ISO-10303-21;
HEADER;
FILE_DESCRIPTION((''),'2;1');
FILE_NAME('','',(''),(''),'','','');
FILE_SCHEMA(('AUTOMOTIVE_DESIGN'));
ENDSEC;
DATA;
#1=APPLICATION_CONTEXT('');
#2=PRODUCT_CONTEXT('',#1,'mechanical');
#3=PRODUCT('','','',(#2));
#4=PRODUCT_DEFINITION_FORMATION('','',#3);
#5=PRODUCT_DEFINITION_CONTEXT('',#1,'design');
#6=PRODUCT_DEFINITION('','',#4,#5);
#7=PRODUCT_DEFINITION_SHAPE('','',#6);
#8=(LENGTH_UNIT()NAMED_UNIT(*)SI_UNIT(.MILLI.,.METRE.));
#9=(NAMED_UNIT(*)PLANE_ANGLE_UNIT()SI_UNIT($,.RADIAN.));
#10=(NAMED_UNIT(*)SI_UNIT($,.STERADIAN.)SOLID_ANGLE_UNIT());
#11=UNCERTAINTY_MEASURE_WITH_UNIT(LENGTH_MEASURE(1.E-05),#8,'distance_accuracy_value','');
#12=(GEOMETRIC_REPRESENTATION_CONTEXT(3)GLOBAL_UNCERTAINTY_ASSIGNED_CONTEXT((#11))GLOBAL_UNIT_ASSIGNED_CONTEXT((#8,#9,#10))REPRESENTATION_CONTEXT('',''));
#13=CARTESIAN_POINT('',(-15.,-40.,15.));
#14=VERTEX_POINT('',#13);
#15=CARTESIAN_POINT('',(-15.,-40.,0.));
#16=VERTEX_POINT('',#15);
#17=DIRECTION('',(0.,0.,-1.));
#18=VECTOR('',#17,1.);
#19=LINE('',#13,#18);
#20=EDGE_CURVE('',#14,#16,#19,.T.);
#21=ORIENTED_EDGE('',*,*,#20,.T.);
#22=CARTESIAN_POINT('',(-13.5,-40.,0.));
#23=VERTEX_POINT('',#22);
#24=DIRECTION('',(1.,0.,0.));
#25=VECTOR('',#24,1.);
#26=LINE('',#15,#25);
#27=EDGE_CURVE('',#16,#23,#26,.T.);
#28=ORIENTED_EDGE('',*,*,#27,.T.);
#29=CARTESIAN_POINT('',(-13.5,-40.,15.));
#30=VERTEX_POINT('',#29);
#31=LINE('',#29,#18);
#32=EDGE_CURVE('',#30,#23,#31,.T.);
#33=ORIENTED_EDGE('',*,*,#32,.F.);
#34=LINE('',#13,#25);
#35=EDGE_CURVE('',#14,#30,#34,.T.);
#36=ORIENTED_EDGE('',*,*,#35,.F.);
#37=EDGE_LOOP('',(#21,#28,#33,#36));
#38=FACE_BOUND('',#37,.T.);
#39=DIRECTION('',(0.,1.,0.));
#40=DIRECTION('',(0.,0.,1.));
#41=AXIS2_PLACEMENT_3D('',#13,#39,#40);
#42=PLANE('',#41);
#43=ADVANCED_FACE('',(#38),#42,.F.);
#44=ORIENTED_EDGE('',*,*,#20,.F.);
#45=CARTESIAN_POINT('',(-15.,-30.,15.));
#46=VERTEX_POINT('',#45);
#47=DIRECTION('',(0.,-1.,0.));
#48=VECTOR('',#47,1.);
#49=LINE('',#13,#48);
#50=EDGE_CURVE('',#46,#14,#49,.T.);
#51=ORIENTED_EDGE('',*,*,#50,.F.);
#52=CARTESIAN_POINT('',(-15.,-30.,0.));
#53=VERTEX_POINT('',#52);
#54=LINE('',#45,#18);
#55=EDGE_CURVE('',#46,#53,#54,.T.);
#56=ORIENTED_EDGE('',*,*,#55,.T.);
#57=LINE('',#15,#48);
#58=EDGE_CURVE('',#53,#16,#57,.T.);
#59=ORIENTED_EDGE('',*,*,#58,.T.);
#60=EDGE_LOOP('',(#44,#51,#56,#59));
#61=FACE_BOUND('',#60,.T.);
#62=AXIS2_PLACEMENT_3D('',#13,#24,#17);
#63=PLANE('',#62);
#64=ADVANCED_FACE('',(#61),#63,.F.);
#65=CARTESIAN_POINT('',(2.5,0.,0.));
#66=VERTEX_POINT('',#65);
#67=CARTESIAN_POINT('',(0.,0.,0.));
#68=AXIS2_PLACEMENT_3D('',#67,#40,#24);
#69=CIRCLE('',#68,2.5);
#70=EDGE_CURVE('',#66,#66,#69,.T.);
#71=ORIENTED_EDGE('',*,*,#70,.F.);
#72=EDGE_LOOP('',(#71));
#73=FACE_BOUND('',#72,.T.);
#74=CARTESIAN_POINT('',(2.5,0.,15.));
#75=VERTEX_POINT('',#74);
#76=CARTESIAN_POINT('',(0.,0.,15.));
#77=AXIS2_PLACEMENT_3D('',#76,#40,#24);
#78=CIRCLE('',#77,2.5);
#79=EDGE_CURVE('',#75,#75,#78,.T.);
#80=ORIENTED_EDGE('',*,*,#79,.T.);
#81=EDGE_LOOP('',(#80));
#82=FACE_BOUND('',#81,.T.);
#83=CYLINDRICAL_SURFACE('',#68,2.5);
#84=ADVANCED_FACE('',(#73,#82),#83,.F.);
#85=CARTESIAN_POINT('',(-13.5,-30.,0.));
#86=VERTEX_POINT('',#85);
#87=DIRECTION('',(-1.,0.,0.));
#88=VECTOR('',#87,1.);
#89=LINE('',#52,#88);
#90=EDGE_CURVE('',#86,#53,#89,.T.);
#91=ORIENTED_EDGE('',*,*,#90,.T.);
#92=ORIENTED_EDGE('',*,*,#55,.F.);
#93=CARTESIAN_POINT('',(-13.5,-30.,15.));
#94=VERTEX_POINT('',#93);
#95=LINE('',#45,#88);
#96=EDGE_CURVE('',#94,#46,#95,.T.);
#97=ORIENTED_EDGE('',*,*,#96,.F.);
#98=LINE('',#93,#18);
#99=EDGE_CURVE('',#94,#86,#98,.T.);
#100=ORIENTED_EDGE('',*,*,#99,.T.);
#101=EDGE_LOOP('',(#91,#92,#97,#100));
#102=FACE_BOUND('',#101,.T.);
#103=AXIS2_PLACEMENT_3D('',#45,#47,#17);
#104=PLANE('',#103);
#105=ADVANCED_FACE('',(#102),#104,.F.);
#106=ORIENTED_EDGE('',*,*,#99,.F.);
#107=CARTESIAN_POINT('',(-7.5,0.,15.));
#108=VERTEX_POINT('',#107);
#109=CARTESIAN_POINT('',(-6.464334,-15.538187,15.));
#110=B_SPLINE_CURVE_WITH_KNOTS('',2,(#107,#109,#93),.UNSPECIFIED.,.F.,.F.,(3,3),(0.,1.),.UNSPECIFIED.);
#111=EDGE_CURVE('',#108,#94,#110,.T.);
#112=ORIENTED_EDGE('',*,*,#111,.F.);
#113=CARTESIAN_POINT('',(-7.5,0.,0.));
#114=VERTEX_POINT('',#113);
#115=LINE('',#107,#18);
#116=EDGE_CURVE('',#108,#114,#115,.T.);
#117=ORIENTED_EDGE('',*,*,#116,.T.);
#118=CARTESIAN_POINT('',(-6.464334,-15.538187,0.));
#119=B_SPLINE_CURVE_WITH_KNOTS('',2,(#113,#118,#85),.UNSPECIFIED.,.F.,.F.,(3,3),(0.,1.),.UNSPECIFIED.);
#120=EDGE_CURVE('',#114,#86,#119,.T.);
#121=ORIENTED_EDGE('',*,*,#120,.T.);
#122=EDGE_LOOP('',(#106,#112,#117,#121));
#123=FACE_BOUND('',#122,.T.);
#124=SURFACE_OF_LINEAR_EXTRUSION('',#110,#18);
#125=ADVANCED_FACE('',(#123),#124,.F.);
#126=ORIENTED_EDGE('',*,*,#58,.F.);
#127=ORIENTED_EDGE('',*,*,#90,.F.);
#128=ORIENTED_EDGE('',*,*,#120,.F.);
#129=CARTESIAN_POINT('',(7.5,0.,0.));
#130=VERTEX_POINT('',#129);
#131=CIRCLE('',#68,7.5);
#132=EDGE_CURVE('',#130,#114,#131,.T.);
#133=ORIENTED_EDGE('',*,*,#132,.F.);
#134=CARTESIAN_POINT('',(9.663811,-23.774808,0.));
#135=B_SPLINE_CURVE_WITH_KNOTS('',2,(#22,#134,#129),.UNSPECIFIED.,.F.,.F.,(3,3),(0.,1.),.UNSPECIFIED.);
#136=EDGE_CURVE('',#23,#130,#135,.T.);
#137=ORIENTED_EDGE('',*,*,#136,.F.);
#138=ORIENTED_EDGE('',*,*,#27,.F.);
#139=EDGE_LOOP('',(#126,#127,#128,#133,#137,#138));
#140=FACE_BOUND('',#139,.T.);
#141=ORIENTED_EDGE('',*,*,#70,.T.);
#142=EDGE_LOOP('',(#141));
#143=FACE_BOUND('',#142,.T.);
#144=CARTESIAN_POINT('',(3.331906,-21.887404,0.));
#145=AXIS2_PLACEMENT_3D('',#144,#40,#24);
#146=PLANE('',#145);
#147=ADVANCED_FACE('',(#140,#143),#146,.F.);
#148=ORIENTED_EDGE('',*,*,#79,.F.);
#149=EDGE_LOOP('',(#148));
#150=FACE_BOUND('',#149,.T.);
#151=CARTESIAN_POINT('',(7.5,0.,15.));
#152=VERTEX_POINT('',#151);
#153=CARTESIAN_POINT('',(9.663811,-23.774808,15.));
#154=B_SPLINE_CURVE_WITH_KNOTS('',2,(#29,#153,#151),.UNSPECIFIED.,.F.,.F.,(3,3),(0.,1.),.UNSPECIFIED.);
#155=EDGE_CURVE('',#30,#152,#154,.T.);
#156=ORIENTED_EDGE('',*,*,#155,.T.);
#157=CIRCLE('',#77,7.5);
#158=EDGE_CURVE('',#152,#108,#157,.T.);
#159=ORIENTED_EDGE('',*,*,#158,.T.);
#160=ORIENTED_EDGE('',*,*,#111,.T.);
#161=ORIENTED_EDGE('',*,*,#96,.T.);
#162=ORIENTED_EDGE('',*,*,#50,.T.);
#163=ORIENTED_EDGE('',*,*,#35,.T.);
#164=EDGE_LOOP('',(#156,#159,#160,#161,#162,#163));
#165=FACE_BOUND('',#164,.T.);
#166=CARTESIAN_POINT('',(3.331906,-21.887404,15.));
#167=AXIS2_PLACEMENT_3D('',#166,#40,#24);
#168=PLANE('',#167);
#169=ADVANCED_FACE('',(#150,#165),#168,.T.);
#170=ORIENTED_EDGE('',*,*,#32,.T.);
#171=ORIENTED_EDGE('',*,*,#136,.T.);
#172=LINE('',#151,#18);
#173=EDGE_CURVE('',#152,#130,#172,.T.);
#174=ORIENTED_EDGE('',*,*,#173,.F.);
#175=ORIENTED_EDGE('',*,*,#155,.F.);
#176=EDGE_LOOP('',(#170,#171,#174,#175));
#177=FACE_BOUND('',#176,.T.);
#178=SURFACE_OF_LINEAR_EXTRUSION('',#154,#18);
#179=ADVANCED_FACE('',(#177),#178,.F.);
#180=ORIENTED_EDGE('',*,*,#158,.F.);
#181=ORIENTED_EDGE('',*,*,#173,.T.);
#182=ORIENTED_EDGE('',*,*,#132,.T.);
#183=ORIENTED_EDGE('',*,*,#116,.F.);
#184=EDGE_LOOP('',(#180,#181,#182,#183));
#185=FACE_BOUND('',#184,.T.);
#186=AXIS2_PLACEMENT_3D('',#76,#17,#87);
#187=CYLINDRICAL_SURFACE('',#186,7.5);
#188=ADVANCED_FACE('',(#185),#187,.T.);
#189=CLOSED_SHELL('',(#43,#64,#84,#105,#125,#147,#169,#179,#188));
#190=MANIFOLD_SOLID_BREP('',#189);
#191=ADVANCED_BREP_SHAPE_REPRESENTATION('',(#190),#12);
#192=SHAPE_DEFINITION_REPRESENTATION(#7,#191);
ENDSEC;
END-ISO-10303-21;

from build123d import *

# Parameters (mm, degrees)
BOSS_EXTRUDE1_DEPTH     = 15
CUT_EXTRUDE1_DEPTH      = 46.276925845
CUT_EXTRUDE1_DEPTH_BACK = 46.276925845
SKETCH2_R               = 2.5


with BuildPart() as part:
    # Sketch1 → Boss-Extrude1 (new body)
    with BuildSketch(Plane.XY):
        with BuildLine():
            Line((-15, -40), (-13.5, -40))
            add(Edge.make_bspline(
                [(7.5, 0), (9.663811458, -23.774808376), (-13.5, -40)],
                knots=[0, 0, 0, 1, 1, 1], degree=2))
            ThreePointArc((7.5, 0), (0, 7.5), (-7.5, 0))
            add(Edge.make_bspline(
                [(-7.5, 0), (-6.464333995, -15.538187235), (-13.5, -30)],
                knots=[0, 0, 0, 1, 1, 1], degree=2))
            Line((-13.5, -30), (-15, -30))
            Line((-15, -30), (-15, -40))
        make_face()
    extrude(amount=BOSS_EXTRUDE1_DEPTH)

    # Sketch2 → Cut-Extrude1 (cut, two sides: drawn at the far end of the back side and taken through both)
    with BuildSketch(Plane.XY.offset(15).offset(-CUT_EXTRUDE1_DEPTH_BACK)):
        Circle(SKETCH2_R)
    extrude(amount=CUT_EXTRUDE1_DEPTH + CUT_EXTRUDE1_DEPTH_BACK, mode=Mode.SUBTRACT)


solid = part.part
